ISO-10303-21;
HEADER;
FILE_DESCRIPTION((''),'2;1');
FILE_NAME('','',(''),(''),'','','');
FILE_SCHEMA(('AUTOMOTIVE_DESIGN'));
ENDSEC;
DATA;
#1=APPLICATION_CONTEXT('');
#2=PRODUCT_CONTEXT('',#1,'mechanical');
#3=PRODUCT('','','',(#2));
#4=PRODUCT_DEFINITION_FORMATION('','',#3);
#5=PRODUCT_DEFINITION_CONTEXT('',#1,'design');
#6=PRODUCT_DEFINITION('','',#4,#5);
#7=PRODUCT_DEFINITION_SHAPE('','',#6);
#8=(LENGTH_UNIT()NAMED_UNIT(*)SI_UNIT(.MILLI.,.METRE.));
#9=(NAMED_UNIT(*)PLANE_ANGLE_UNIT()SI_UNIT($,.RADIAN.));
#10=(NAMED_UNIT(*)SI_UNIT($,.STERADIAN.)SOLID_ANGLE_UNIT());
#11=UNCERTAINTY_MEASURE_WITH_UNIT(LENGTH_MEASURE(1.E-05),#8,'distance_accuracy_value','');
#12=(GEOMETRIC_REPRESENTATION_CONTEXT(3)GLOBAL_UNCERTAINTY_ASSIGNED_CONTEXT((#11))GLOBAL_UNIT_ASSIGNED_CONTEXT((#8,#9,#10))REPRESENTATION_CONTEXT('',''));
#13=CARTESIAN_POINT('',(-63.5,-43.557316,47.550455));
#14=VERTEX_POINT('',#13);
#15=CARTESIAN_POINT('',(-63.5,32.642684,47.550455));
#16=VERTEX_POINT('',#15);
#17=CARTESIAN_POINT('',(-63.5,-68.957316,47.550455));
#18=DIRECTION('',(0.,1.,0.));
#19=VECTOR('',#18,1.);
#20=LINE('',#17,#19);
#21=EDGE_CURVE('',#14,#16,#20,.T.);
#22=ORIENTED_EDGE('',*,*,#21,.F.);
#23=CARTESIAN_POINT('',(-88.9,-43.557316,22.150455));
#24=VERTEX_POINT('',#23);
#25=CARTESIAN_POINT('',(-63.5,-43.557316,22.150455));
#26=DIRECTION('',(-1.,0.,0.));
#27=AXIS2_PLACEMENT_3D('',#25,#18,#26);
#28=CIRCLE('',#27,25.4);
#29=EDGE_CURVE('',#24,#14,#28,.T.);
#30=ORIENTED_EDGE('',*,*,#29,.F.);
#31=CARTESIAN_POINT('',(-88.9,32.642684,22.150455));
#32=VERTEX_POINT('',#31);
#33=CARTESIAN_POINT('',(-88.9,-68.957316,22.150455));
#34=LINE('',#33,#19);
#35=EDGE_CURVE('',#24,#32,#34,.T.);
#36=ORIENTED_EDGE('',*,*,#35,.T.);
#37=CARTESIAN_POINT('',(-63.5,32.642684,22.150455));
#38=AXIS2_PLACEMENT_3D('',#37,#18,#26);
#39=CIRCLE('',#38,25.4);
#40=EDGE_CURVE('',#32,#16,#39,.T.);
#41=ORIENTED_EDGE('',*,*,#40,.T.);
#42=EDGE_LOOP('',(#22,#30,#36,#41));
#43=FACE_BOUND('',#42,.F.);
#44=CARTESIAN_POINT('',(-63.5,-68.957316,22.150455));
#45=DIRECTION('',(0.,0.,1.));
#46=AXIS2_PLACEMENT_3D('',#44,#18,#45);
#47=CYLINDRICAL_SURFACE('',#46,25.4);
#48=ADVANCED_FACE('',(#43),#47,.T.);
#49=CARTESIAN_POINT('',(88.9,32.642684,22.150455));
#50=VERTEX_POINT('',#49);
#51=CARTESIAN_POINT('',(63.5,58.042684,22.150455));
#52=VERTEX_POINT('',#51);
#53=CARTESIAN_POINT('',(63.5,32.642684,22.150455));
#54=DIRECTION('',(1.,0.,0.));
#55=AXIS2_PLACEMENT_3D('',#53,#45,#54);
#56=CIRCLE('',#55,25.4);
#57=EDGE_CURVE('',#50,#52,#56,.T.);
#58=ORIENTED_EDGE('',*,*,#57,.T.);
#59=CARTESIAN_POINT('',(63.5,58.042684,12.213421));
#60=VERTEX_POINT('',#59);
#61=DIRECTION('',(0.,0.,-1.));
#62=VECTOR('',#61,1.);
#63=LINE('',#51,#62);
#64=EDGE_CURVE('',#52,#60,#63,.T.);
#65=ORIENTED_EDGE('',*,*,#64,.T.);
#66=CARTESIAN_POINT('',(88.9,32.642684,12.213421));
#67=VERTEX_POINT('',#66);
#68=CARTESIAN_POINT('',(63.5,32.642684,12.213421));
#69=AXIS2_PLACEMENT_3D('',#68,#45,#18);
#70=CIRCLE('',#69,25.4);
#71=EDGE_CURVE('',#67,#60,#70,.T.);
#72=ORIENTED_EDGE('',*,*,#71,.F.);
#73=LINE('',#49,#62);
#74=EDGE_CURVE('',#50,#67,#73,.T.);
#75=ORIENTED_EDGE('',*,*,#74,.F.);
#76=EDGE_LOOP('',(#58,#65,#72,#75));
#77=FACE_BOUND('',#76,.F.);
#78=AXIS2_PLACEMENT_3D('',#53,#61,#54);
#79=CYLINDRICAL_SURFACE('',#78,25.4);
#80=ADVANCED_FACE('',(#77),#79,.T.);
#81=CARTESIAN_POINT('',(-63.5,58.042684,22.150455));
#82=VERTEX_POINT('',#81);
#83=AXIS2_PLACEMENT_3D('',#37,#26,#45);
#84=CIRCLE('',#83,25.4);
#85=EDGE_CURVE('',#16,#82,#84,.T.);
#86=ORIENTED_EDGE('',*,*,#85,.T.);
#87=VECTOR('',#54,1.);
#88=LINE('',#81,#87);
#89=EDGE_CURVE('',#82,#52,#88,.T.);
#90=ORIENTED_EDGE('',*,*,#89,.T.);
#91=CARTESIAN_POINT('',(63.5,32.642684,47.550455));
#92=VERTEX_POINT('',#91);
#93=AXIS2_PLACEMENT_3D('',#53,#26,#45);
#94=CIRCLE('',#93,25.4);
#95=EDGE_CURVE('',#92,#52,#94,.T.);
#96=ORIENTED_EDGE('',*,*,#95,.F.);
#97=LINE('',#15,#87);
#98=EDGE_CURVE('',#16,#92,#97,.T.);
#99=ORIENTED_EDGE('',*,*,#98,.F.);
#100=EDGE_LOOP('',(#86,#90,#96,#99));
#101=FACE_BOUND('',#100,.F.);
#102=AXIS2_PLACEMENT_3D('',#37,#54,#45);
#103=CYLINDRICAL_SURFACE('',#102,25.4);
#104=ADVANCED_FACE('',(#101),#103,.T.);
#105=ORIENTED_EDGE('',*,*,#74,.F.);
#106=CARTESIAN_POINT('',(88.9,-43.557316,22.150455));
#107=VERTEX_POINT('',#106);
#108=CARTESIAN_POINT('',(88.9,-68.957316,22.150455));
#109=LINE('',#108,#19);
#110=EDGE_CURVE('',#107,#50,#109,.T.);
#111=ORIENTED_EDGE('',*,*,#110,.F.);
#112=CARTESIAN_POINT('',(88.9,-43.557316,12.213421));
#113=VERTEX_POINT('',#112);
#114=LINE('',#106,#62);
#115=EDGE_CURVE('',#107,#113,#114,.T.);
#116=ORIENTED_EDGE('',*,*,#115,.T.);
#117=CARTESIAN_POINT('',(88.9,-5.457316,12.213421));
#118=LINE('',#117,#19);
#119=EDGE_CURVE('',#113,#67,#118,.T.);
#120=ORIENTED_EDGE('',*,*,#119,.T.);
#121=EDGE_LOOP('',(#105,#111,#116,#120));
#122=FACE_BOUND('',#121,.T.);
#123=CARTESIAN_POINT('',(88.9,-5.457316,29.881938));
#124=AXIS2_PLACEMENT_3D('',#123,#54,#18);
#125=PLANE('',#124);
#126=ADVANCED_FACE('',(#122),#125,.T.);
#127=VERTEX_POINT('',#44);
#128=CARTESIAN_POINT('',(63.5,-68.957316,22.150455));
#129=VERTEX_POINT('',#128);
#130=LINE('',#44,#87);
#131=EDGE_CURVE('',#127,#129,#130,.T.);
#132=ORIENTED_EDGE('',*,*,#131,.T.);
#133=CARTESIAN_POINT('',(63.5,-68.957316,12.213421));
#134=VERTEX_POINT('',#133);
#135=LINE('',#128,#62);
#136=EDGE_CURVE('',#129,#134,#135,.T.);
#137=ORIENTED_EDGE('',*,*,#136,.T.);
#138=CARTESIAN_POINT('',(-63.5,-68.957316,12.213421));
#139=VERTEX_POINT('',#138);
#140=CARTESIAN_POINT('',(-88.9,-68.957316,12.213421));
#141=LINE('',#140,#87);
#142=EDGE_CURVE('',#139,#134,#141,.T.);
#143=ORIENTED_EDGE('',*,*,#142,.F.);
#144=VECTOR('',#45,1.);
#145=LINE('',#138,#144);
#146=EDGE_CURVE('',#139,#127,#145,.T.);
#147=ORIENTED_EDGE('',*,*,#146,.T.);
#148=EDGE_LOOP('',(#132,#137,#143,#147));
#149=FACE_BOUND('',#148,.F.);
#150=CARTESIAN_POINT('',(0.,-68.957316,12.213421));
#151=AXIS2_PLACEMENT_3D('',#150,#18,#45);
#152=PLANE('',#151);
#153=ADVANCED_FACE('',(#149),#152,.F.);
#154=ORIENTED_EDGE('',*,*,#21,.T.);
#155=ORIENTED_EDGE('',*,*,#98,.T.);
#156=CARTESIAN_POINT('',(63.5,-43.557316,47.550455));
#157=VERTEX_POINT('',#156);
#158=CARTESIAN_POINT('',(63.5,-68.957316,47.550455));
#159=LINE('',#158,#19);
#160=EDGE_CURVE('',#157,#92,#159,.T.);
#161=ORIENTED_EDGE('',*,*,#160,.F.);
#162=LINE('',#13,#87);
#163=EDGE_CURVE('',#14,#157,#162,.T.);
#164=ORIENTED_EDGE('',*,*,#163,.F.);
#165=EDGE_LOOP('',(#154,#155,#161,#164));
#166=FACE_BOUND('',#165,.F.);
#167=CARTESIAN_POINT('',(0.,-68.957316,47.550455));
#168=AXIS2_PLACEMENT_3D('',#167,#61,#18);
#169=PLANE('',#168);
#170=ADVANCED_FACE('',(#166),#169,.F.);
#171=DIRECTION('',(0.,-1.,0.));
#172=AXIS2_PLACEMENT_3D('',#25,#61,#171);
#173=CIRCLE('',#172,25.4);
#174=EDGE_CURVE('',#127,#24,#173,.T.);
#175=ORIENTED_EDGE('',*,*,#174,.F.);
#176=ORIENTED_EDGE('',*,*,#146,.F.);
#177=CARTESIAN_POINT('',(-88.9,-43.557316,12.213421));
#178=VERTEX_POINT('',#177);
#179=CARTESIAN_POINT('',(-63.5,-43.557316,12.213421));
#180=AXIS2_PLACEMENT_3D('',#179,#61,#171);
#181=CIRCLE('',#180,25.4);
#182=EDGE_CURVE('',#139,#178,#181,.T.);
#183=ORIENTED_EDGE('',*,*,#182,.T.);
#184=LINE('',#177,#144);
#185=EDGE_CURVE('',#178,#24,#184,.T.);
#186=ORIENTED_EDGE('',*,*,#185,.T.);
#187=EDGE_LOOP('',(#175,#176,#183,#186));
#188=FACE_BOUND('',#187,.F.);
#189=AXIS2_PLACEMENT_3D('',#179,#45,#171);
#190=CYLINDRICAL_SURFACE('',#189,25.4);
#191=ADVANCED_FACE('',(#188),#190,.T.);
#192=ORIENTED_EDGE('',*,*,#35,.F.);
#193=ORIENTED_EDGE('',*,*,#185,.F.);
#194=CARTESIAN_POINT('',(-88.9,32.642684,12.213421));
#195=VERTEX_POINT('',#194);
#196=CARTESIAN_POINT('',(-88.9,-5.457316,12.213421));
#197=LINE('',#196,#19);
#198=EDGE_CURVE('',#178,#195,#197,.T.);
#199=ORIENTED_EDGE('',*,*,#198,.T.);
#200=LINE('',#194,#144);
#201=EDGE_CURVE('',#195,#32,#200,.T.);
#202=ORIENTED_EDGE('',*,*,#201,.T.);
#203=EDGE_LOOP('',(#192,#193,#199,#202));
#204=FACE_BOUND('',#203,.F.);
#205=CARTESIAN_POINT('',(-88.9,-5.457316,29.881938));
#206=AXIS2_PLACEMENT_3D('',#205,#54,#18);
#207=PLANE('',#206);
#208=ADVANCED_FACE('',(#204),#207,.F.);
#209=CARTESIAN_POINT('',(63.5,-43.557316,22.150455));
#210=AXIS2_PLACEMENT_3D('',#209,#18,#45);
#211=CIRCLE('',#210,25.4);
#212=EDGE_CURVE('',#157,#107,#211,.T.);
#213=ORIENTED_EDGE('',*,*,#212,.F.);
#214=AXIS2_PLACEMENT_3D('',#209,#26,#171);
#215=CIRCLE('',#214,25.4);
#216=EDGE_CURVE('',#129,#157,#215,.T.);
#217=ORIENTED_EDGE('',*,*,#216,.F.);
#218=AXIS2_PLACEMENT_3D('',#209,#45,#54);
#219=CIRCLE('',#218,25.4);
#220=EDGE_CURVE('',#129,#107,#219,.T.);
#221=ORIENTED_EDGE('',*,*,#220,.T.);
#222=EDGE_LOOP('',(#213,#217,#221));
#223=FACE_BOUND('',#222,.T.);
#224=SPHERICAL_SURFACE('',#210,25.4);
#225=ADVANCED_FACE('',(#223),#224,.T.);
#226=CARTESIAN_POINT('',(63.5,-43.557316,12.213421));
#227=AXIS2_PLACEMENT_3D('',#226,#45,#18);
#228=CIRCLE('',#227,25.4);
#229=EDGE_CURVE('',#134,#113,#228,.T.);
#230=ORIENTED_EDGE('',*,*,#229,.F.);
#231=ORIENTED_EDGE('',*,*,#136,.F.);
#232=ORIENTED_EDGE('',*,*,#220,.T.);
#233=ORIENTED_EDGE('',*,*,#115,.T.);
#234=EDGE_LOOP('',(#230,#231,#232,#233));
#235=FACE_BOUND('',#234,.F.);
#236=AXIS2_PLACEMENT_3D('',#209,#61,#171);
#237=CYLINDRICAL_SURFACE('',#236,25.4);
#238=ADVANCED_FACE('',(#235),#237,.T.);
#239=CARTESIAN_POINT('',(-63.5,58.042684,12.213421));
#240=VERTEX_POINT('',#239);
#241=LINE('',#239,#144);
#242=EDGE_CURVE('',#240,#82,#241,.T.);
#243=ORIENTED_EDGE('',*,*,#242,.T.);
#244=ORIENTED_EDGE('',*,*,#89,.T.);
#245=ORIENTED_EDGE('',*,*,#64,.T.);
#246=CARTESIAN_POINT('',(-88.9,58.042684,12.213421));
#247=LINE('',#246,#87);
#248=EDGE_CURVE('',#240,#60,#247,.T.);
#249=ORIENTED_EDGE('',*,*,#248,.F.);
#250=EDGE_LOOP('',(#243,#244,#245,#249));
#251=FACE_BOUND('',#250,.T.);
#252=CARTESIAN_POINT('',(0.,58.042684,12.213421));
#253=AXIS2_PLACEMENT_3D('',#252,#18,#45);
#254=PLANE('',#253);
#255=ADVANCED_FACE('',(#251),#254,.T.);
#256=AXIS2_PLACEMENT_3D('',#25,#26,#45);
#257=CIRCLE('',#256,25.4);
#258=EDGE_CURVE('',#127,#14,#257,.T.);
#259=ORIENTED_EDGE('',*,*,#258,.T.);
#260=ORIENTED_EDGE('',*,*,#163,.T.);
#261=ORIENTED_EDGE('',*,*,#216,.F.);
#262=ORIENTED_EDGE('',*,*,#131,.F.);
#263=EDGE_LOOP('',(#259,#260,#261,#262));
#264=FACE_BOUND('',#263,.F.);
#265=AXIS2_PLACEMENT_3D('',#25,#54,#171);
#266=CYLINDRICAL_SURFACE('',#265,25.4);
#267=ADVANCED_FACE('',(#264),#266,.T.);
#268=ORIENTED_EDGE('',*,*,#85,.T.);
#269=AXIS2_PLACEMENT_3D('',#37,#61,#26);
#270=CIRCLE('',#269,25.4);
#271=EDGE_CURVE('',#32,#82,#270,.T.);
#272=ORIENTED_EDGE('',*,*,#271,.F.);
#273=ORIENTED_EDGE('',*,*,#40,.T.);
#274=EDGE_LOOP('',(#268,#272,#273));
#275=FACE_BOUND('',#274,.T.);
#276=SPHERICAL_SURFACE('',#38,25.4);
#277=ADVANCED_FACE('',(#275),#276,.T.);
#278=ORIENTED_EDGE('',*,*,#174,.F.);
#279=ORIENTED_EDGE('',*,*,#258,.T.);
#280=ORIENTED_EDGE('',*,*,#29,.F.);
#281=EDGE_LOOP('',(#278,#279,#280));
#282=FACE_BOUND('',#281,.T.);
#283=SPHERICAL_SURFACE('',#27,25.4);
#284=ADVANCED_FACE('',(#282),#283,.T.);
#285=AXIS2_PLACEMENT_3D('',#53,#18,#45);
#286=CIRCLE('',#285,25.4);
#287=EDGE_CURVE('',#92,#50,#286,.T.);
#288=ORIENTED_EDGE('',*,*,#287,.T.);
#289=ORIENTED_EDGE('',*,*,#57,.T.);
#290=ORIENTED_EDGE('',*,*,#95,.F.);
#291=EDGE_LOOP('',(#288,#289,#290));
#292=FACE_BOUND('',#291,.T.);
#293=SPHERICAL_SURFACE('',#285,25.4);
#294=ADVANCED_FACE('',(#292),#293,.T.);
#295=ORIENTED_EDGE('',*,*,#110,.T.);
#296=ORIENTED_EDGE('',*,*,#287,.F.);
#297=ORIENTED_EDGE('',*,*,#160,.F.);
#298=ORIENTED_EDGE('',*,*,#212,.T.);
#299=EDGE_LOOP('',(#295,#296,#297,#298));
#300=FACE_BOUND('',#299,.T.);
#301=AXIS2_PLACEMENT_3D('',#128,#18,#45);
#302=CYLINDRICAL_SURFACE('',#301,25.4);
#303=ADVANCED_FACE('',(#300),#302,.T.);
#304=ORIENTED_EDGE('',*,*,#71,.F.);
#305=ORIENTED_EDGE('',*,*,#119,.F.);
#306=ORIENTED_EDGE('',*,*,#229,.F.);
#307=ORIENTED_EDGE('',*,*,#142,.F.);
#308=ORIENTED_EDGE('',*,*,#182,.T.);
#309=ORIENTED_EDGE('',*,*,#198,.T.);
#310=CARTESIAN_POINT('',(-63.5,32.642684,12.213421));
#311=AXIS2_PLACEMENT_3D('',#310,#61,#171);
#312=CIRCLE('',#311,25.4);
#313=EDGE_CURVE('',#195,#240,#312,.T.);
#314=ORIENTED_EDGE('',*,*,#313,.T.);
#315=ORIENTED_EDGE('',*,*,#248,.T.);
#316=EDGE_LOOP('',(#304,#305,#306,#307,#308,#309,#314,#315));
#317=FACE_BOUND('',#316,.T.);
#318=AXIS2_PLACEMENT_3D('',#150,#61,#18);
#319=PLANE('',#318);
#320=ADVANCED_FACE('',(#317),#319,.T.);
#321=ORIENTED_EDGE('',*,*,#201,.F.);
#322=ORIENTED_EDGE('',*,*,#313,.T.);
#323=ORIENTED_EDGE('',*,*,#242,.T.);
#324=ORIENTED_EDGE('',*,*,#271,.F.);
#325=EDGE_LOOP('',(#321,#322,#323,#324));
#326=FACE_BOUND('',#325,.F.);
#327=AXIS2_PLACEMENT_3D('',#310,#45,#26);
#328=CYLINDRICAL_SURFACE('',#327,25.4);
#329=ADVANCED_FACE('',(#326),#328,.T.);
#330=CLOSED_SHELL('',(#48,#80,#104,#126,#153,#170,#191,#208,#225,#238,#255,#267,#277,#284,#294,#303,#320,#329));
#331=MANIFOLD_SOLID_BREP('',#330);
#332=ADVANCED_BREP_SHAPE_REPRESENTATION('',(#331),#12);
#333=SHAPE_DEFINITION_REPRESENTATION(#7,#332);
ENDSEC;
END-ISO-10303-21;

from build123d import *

# Parameters (mm, degrees)
F0_W     = 127
F0_H     = 35.337034
F1_DEPTH = 88.9
F2_R     = 25.4
F3_R     = 25.4
F4_R     = 25.4
F5_R     = 25.4


with BuildPart() as f1:
    # F0 (on Right) → F1 (new body, symmetric)
    with BuildSketch(Plane.YZ):
        with Locations((-5.457316, 29.881938)):
            Rectangle(F0_W, F0_H)
    extrude(amount=F1_DEPTH, both=True)

    # F2
    f2_edges = [f1.edges().sort_by_distance(p)[0] for p in [
        (-88.9, -5.457316, 47.550455),
    ]]
    fillet(f2_edges, radius=F2_R)

    # F3
    f3_edges = [f1.edges().sort_by_distance(p)[0] for p in [
        (88.9, -5.457316, 47.550455),
    ]]
    fillet(f3_edges, radius=F3_R)

    # F4
    f4_edges = [f1.edges().sort_by_distance(p)[0] for p in [
        (-88.9, 58.042684, 17.181938),
    ]]
    fillet(f4_edges, radius=F4_R)

    # F5
    f5_edges = [f1.edges().sort_by_distance(p)[0] for p in [
        (-88.9, -68.957316, 17.181938),
    ]]
    fillet(f5_edges, radius=F5_R)


solid = f1.part
